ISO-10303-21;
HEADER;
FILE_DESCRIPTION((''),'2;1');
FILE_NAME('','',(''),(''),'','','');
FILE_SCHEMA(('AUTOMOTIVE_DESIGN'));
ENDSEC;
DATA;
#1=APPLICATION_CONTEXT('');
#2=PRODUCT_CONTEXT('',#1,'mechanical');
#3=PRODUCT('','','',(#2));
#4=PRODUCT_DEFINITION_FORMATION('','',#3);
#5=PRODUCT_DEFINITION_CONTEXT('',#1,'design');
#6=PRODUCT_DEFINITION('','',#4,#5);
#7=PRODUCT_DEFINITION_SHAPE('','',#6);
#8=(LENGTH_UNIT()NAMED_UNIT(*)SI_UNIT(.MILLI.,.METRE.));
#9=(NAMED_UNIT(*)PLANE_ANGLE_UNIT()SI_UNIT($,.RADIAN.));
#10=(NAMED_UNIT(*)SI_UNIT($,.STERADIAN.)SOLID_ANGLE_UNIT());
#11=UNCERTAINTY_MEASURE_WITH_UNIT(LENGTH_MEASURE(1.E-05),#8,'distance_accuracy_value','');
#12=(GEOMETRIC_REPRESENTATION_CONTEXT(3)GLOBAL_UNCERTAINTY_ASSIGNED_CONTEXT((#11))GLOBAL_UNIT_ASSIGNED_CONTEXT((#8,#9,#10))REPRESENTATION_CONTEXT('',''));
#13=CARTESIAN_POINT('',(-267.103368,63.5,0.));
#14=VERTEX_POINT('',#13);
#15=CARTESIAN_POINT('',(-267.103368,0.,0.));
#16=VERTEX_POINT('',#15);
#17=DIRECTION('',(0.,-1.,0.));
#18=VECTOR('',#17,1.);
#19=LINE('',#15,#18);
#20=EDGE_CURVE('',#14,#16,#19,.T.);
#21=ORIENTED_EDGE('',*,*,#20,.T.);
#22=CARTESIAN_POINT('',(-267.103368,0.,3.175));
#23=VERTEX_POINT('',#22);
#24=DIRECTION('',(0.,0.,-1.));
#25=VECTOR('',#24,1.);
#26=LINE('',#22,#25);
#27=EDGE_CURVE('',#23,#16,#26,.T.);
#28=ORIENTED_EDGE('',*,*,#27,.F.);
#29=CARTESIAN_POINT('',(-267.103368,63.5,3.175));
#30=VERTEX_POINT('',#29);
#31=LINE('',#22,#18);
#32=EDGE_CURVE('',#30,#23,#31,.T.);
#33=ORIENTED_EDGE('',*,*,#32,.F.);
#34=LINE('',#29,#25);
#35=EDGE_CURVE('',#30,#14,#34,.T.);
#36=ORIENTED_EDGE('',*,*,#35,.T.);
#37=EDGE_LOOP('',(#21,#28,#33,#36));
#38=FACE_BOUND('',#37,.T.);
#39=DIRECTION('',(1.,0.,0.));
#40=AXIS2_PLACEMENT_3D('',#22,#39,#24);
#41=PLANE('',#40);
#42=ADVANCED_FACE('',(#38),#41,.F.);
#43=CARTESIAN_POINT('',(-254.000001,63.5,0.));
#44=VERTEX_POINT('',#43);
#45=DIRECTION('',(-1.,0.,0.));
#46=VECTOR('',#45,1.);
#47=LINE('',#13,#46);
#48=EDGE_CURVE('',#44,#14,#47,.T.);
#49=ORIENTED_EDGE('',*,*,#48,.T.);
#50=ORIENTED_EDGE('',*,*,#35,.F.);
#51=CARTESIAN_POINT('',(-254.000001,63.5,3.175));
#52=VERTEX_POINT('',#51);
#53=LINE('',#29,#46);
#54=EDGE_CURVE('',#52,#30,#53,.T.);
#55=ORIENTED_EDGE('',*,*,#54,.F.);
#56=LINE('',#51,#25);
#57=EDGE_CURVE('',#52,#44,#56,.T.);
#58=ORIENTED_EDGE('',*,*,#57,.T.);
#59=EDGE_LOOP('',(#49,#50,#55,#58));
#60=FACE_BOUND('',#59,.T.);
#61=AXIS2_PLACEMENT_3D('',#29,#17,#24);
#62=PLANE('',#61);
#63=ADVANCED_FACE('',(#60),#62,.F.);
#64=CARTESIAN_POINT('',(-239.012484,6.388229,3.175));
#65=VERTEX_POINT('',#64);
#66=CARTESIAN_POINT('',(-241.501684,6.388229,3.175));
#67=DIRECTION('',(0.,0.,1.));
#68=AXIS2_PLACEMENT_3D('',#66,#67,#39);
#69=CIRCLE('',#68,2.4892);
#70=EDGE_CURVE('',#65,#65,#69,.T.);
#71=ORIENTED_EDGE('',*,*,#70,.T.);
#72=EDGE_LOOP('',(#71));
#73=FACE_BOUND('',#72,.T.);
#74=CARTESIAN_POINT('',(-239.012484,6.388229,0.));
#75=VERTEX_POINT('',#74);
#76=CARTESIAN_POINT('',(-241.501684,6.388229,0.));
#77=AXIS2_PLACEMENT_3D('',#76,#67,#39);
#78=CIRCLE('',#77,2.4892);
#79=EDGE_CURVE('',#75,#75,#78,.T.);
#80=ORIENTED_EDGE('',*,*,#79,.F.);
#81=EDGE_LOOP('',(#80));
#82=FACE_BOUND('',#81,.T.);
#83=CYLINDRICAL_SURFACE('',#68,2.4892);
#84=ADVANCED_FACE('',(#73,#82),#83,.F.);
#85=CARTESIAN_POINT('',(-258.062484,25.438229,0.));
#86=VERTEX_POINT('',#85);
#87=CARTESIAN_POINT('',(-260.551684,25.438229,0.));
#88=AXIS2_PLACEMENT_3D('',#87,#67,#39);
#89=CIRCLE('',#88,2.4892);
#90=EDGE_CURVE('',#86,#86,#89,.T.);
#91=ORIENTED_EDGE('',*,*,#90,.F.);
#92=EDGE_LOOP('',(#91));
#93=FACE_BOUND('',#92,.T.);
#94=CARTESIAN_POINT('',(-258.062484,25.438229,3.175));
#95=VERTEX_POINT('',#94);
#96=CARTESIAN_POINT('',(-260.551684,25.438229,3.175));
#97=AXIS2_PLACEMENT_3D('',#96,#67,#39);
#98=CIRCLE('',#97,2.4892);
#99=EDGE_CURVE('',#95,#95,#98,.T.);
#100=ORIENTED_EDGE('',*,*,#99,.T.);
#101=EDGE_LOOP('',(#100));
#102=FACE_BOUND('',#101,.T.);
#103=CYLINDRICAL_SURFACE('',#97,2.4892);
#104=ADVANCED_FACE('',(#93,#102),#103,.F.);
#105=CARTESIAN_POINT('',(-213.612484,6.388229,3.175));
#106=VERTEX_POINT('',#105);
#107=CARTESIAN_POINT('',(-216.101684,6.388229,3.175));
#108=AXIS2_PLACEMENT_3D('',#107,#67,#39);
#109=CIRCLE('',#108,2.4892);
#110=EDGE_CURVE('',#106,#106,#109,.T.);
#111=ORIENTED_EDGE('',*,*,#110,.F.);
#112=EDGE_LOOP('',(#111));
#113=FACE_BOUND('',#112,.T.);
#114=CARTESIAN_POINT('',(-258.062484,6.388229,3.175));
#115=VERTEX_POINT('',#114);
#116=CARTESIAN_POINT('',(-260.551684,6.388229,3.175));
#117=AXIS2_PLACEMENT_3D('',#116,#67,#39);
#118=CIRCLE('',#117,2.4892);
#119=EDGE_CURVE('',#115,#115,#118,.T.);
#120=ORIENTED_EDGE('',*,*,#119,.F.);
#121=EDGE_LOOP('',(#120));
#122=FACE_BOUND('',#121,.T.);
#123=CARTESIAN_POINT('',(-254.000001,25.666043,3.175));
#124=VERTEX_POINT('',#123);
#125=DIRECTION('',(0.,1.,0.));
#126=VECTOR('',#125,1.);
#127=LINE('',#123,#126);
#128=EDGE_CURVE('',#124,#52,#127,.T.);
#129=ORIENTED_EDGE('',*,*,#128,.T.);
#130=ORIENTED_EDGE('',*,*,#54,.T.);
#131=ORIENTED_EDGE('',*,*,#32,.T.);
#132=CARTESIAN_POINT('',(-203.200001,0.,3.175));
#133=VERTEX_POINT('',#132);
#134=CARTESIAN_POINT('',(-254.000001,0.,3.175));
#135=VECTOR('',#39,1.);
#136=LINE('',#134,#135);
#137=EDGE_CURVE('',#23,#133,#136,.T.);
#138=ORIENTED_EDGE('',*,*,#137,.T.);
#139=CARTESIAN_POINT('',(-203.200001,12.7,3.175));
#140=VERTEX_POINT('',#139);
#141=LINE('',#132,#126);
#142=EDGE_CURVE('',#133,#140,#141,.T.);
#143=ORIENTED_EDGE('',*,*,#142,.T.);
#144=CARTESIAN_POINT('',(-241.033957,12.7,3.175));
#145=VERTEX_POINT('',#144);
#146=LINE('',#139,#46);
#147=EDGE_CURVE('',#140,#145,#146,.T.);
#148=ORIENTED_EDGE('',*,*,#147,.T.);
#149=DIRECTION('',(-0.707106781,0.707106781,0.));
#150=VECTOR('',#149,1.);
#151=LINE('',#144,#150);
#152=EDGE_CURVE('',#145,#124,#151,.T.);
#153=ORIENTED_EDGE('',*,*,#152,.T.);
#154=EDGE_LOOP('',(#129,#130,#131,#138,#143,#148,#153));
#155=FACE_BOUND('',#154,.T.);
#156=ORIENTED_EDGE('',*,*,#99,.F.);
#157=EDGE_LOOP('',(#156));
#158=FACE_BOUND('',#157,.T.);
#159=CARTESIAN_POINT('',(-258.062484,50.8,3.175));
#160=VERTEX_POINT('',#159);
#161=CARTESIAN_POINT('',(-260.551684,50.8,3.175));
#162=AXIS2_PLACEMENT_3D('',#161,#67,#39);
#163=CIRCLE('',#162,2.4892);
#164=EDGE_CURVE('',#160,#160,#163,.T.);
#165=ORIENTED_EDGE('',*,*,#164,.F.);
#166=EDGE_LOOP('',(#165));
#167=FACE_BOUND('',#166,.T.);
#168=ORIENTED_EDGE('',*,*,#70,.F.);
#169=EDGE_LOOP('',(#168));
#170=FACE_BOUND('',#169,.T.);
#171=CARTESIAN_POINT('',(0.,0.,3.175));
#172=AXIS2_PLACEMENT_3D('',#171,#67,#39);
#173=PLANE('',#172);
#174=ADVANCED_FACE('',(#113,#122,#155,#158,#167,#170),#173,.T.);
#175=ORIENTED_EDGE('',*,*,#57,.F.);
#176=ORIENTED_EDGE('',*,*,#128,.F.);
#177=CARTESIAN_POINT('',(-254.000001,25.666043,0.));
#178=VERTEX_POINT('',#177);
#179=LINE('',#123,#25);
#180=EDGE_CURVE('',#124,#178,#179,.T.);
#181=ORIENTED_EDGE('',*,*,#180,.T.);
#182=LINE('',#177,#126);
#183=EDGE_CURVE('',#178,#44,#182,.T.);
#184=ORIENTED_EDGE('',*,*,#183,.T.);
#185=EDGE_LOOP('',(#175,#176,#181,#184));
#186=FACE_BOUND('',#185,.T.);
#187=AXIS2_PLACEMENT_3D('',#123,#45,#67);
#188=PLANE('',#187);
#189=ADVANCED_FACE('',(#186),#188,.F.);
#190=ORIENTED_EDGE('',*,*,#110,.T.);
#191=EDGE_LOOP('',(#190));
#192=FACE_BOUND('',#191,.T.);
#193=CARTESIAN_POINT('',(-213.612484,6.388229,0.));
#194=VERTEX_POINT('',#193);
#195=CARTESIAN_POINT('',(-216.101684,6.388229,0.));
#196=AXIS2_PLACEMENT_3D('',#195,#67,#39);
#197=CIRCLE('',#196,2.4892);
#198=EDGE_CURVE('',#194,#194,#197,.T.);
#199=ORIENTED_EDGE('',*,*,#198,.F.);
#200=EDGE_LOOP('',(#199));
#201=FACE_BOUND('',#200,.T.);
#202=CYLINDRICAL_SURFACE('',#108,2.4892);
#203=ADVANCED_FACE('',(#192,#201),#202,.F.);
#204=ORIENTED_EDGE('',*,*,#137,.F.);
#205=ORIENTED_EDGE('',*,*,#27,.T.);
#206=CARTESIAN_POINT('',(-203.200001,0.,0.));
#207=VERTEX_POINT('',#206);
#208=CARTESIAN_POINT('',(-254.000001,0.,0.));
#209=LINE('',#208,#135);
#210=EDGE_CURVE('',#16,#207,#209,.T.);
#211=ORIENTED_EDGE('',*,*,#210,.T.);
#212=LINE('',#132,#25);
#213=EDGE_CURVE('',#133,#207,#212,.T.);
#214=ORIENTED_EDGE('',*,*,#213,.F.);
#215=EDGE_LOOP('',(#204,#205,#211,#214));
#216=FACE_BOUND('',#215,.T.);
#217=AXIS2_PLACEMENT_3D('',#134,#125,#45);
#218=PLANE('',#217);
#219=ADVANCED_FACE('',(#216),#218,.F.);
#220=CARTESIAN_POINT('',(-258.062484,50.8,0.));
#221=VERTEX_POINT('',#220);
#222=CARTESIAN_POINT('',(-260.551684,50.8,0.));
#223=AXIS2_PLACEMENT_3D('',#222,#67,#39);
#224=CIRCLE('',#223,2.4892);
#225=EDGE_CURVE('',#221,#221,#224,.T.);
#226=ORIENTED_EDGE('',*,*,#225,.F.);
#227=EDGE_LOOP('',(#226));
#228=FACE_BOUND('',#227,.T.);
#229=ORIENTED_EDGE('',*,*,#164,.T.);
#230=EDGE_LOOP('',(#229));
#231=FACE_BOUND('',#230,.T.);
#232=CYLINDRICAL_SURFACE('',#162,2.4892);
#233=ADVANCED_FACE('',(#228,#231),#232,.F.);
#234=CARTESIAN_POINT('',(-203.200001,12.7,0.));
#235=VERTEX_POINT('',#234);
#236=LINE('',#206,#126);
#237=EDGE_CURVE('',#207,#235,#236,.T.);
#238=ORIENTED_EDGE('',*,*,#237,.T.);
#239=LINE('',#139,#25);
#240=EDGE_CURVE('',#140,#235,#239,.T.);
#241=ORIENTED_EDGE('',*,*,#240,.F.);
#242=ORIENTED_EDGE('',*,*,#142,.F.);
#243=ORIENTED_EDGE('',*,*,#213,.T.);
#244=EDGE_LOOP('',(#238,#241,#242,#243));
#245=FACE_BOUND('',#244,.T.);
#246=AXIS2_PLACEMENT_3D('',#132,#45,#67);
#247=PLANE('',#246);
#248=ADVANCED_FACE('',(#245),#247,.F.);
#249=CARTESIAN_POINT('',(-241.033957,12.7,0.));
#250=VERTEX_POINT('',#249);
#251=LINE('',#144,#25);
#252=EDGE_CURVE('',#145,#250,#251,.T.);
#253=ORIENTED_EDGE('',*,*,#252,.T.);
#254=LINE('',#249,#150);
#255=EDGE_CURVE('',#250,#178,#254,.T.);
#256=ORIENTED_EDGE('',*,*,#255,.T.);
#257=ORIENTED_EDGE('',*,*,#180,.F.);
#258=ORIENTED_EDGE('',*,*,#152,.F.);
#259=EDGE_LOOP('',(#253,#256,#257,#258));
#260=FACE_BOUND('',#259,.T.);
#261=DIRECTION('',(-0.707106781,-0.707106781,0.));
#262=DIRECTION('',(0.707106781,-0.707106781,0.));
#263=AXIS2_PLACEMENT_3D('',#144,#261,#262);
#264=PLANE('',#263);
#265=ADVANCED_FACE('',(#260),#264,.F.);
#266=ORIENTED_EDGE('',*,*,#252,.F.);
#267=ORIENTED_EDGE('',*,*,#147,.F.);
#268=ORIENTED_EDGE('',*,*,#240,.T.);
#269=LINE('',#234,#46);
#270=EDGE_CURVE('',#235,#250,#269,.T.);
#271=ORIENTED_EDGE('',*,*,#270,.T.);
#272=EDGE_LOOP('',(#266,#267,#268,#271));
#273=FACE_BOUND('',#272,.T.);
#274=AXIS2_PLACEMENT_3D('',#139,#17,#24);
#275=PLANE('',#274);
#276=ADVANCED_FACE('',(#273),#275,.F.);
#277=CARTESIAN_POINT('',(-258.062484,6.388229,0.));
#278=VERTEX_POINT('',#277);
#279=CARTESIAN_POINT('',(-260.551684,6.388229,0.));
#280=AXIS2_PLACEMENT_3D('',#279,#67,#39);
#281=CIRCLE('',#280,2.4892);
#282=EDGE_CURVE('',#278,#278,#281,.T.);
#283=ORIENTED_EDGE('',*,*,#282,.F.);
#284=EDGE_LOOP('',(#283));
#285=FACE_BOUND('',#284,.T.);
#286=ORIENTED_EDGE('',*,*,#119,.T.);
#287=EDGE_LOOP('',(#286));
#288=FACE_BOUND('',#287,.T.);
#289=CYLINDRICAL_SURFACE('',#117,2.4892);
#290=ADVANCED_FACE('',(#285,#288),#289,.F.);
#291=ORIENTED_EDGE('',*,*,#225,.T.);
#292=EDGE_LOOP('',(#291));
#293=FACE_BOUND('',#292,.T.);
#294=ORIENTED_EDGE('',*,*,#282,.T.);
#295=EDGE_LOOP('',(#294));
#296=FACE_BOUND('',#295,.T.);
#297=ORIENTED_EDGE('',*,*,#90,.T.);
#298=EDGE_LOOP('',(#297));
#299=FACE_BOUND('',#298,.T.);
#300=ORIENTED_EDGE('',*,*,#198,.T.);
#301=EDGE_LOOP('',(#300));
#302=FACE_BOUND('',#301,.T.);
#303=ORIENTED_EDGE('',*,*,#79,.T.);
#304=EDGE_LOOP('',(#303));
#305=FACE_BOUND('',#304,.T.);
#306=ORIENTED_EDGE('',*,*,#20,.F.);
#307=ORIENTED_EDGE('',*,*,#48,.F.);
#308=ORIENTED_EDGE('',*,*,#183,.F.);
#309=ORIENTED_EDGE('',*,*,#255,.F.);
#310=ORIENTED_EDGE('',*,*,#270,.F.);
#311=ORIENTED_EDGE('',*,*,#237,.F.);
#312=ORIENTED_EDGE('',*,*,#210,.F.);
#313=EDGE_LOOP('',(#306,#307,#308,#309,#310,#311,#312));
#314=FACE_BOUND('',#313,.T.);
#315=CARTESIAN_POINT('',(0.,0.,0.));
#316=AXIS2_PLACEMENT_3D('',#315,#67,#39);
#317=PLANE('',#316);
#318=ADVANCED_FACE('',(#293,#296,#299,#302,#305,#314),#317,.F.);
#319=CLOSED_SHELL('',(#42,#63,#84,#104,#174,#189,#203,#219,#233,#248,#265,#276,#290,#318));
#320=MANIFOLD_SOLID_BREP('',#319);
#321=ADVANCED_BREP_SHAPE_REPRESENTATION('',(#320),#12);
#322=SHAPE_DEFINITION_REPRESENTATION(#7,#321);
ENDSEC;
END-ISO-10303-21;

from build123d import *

# Parameters (mm, degrees)
BOSS_EXTRUDE1_DEPTH    = 3.175
F_10_CLEARANCE_HOLE1_D = 4.9784


with BuildPart() as part:
    # Sketch1 → Boss-Extrude1 (new body)
    with BuildSketch(Plane.XY):
        Polygon((-254.000000508, 0), (-267.103367516, 0), (-267.103367516, 63.5), (-254.000000508, 63.5), (-254.000000508, 25.666043074), (-241.033957434, 12.7), (-203.200000508, 12.7), (-203.200000508, 0), align=None)
    extrude(amount=BOSS_EXTRUDE1_DEPTH)

    # #10 Clearance Hole1 (through all)
    with Locations(Plane.XY.offset(3.175)):
        with Locations((-260.551684012, 6.388229415), (-260.551684012, 25.438229415), (-260.551684012, 50.8), (-241.501684012, 6.388229415), (-216.101684012, 6.388229415)):
            Hole(F_10_CLEARANCE_HOLE1_D / 2)


solid = part.part
